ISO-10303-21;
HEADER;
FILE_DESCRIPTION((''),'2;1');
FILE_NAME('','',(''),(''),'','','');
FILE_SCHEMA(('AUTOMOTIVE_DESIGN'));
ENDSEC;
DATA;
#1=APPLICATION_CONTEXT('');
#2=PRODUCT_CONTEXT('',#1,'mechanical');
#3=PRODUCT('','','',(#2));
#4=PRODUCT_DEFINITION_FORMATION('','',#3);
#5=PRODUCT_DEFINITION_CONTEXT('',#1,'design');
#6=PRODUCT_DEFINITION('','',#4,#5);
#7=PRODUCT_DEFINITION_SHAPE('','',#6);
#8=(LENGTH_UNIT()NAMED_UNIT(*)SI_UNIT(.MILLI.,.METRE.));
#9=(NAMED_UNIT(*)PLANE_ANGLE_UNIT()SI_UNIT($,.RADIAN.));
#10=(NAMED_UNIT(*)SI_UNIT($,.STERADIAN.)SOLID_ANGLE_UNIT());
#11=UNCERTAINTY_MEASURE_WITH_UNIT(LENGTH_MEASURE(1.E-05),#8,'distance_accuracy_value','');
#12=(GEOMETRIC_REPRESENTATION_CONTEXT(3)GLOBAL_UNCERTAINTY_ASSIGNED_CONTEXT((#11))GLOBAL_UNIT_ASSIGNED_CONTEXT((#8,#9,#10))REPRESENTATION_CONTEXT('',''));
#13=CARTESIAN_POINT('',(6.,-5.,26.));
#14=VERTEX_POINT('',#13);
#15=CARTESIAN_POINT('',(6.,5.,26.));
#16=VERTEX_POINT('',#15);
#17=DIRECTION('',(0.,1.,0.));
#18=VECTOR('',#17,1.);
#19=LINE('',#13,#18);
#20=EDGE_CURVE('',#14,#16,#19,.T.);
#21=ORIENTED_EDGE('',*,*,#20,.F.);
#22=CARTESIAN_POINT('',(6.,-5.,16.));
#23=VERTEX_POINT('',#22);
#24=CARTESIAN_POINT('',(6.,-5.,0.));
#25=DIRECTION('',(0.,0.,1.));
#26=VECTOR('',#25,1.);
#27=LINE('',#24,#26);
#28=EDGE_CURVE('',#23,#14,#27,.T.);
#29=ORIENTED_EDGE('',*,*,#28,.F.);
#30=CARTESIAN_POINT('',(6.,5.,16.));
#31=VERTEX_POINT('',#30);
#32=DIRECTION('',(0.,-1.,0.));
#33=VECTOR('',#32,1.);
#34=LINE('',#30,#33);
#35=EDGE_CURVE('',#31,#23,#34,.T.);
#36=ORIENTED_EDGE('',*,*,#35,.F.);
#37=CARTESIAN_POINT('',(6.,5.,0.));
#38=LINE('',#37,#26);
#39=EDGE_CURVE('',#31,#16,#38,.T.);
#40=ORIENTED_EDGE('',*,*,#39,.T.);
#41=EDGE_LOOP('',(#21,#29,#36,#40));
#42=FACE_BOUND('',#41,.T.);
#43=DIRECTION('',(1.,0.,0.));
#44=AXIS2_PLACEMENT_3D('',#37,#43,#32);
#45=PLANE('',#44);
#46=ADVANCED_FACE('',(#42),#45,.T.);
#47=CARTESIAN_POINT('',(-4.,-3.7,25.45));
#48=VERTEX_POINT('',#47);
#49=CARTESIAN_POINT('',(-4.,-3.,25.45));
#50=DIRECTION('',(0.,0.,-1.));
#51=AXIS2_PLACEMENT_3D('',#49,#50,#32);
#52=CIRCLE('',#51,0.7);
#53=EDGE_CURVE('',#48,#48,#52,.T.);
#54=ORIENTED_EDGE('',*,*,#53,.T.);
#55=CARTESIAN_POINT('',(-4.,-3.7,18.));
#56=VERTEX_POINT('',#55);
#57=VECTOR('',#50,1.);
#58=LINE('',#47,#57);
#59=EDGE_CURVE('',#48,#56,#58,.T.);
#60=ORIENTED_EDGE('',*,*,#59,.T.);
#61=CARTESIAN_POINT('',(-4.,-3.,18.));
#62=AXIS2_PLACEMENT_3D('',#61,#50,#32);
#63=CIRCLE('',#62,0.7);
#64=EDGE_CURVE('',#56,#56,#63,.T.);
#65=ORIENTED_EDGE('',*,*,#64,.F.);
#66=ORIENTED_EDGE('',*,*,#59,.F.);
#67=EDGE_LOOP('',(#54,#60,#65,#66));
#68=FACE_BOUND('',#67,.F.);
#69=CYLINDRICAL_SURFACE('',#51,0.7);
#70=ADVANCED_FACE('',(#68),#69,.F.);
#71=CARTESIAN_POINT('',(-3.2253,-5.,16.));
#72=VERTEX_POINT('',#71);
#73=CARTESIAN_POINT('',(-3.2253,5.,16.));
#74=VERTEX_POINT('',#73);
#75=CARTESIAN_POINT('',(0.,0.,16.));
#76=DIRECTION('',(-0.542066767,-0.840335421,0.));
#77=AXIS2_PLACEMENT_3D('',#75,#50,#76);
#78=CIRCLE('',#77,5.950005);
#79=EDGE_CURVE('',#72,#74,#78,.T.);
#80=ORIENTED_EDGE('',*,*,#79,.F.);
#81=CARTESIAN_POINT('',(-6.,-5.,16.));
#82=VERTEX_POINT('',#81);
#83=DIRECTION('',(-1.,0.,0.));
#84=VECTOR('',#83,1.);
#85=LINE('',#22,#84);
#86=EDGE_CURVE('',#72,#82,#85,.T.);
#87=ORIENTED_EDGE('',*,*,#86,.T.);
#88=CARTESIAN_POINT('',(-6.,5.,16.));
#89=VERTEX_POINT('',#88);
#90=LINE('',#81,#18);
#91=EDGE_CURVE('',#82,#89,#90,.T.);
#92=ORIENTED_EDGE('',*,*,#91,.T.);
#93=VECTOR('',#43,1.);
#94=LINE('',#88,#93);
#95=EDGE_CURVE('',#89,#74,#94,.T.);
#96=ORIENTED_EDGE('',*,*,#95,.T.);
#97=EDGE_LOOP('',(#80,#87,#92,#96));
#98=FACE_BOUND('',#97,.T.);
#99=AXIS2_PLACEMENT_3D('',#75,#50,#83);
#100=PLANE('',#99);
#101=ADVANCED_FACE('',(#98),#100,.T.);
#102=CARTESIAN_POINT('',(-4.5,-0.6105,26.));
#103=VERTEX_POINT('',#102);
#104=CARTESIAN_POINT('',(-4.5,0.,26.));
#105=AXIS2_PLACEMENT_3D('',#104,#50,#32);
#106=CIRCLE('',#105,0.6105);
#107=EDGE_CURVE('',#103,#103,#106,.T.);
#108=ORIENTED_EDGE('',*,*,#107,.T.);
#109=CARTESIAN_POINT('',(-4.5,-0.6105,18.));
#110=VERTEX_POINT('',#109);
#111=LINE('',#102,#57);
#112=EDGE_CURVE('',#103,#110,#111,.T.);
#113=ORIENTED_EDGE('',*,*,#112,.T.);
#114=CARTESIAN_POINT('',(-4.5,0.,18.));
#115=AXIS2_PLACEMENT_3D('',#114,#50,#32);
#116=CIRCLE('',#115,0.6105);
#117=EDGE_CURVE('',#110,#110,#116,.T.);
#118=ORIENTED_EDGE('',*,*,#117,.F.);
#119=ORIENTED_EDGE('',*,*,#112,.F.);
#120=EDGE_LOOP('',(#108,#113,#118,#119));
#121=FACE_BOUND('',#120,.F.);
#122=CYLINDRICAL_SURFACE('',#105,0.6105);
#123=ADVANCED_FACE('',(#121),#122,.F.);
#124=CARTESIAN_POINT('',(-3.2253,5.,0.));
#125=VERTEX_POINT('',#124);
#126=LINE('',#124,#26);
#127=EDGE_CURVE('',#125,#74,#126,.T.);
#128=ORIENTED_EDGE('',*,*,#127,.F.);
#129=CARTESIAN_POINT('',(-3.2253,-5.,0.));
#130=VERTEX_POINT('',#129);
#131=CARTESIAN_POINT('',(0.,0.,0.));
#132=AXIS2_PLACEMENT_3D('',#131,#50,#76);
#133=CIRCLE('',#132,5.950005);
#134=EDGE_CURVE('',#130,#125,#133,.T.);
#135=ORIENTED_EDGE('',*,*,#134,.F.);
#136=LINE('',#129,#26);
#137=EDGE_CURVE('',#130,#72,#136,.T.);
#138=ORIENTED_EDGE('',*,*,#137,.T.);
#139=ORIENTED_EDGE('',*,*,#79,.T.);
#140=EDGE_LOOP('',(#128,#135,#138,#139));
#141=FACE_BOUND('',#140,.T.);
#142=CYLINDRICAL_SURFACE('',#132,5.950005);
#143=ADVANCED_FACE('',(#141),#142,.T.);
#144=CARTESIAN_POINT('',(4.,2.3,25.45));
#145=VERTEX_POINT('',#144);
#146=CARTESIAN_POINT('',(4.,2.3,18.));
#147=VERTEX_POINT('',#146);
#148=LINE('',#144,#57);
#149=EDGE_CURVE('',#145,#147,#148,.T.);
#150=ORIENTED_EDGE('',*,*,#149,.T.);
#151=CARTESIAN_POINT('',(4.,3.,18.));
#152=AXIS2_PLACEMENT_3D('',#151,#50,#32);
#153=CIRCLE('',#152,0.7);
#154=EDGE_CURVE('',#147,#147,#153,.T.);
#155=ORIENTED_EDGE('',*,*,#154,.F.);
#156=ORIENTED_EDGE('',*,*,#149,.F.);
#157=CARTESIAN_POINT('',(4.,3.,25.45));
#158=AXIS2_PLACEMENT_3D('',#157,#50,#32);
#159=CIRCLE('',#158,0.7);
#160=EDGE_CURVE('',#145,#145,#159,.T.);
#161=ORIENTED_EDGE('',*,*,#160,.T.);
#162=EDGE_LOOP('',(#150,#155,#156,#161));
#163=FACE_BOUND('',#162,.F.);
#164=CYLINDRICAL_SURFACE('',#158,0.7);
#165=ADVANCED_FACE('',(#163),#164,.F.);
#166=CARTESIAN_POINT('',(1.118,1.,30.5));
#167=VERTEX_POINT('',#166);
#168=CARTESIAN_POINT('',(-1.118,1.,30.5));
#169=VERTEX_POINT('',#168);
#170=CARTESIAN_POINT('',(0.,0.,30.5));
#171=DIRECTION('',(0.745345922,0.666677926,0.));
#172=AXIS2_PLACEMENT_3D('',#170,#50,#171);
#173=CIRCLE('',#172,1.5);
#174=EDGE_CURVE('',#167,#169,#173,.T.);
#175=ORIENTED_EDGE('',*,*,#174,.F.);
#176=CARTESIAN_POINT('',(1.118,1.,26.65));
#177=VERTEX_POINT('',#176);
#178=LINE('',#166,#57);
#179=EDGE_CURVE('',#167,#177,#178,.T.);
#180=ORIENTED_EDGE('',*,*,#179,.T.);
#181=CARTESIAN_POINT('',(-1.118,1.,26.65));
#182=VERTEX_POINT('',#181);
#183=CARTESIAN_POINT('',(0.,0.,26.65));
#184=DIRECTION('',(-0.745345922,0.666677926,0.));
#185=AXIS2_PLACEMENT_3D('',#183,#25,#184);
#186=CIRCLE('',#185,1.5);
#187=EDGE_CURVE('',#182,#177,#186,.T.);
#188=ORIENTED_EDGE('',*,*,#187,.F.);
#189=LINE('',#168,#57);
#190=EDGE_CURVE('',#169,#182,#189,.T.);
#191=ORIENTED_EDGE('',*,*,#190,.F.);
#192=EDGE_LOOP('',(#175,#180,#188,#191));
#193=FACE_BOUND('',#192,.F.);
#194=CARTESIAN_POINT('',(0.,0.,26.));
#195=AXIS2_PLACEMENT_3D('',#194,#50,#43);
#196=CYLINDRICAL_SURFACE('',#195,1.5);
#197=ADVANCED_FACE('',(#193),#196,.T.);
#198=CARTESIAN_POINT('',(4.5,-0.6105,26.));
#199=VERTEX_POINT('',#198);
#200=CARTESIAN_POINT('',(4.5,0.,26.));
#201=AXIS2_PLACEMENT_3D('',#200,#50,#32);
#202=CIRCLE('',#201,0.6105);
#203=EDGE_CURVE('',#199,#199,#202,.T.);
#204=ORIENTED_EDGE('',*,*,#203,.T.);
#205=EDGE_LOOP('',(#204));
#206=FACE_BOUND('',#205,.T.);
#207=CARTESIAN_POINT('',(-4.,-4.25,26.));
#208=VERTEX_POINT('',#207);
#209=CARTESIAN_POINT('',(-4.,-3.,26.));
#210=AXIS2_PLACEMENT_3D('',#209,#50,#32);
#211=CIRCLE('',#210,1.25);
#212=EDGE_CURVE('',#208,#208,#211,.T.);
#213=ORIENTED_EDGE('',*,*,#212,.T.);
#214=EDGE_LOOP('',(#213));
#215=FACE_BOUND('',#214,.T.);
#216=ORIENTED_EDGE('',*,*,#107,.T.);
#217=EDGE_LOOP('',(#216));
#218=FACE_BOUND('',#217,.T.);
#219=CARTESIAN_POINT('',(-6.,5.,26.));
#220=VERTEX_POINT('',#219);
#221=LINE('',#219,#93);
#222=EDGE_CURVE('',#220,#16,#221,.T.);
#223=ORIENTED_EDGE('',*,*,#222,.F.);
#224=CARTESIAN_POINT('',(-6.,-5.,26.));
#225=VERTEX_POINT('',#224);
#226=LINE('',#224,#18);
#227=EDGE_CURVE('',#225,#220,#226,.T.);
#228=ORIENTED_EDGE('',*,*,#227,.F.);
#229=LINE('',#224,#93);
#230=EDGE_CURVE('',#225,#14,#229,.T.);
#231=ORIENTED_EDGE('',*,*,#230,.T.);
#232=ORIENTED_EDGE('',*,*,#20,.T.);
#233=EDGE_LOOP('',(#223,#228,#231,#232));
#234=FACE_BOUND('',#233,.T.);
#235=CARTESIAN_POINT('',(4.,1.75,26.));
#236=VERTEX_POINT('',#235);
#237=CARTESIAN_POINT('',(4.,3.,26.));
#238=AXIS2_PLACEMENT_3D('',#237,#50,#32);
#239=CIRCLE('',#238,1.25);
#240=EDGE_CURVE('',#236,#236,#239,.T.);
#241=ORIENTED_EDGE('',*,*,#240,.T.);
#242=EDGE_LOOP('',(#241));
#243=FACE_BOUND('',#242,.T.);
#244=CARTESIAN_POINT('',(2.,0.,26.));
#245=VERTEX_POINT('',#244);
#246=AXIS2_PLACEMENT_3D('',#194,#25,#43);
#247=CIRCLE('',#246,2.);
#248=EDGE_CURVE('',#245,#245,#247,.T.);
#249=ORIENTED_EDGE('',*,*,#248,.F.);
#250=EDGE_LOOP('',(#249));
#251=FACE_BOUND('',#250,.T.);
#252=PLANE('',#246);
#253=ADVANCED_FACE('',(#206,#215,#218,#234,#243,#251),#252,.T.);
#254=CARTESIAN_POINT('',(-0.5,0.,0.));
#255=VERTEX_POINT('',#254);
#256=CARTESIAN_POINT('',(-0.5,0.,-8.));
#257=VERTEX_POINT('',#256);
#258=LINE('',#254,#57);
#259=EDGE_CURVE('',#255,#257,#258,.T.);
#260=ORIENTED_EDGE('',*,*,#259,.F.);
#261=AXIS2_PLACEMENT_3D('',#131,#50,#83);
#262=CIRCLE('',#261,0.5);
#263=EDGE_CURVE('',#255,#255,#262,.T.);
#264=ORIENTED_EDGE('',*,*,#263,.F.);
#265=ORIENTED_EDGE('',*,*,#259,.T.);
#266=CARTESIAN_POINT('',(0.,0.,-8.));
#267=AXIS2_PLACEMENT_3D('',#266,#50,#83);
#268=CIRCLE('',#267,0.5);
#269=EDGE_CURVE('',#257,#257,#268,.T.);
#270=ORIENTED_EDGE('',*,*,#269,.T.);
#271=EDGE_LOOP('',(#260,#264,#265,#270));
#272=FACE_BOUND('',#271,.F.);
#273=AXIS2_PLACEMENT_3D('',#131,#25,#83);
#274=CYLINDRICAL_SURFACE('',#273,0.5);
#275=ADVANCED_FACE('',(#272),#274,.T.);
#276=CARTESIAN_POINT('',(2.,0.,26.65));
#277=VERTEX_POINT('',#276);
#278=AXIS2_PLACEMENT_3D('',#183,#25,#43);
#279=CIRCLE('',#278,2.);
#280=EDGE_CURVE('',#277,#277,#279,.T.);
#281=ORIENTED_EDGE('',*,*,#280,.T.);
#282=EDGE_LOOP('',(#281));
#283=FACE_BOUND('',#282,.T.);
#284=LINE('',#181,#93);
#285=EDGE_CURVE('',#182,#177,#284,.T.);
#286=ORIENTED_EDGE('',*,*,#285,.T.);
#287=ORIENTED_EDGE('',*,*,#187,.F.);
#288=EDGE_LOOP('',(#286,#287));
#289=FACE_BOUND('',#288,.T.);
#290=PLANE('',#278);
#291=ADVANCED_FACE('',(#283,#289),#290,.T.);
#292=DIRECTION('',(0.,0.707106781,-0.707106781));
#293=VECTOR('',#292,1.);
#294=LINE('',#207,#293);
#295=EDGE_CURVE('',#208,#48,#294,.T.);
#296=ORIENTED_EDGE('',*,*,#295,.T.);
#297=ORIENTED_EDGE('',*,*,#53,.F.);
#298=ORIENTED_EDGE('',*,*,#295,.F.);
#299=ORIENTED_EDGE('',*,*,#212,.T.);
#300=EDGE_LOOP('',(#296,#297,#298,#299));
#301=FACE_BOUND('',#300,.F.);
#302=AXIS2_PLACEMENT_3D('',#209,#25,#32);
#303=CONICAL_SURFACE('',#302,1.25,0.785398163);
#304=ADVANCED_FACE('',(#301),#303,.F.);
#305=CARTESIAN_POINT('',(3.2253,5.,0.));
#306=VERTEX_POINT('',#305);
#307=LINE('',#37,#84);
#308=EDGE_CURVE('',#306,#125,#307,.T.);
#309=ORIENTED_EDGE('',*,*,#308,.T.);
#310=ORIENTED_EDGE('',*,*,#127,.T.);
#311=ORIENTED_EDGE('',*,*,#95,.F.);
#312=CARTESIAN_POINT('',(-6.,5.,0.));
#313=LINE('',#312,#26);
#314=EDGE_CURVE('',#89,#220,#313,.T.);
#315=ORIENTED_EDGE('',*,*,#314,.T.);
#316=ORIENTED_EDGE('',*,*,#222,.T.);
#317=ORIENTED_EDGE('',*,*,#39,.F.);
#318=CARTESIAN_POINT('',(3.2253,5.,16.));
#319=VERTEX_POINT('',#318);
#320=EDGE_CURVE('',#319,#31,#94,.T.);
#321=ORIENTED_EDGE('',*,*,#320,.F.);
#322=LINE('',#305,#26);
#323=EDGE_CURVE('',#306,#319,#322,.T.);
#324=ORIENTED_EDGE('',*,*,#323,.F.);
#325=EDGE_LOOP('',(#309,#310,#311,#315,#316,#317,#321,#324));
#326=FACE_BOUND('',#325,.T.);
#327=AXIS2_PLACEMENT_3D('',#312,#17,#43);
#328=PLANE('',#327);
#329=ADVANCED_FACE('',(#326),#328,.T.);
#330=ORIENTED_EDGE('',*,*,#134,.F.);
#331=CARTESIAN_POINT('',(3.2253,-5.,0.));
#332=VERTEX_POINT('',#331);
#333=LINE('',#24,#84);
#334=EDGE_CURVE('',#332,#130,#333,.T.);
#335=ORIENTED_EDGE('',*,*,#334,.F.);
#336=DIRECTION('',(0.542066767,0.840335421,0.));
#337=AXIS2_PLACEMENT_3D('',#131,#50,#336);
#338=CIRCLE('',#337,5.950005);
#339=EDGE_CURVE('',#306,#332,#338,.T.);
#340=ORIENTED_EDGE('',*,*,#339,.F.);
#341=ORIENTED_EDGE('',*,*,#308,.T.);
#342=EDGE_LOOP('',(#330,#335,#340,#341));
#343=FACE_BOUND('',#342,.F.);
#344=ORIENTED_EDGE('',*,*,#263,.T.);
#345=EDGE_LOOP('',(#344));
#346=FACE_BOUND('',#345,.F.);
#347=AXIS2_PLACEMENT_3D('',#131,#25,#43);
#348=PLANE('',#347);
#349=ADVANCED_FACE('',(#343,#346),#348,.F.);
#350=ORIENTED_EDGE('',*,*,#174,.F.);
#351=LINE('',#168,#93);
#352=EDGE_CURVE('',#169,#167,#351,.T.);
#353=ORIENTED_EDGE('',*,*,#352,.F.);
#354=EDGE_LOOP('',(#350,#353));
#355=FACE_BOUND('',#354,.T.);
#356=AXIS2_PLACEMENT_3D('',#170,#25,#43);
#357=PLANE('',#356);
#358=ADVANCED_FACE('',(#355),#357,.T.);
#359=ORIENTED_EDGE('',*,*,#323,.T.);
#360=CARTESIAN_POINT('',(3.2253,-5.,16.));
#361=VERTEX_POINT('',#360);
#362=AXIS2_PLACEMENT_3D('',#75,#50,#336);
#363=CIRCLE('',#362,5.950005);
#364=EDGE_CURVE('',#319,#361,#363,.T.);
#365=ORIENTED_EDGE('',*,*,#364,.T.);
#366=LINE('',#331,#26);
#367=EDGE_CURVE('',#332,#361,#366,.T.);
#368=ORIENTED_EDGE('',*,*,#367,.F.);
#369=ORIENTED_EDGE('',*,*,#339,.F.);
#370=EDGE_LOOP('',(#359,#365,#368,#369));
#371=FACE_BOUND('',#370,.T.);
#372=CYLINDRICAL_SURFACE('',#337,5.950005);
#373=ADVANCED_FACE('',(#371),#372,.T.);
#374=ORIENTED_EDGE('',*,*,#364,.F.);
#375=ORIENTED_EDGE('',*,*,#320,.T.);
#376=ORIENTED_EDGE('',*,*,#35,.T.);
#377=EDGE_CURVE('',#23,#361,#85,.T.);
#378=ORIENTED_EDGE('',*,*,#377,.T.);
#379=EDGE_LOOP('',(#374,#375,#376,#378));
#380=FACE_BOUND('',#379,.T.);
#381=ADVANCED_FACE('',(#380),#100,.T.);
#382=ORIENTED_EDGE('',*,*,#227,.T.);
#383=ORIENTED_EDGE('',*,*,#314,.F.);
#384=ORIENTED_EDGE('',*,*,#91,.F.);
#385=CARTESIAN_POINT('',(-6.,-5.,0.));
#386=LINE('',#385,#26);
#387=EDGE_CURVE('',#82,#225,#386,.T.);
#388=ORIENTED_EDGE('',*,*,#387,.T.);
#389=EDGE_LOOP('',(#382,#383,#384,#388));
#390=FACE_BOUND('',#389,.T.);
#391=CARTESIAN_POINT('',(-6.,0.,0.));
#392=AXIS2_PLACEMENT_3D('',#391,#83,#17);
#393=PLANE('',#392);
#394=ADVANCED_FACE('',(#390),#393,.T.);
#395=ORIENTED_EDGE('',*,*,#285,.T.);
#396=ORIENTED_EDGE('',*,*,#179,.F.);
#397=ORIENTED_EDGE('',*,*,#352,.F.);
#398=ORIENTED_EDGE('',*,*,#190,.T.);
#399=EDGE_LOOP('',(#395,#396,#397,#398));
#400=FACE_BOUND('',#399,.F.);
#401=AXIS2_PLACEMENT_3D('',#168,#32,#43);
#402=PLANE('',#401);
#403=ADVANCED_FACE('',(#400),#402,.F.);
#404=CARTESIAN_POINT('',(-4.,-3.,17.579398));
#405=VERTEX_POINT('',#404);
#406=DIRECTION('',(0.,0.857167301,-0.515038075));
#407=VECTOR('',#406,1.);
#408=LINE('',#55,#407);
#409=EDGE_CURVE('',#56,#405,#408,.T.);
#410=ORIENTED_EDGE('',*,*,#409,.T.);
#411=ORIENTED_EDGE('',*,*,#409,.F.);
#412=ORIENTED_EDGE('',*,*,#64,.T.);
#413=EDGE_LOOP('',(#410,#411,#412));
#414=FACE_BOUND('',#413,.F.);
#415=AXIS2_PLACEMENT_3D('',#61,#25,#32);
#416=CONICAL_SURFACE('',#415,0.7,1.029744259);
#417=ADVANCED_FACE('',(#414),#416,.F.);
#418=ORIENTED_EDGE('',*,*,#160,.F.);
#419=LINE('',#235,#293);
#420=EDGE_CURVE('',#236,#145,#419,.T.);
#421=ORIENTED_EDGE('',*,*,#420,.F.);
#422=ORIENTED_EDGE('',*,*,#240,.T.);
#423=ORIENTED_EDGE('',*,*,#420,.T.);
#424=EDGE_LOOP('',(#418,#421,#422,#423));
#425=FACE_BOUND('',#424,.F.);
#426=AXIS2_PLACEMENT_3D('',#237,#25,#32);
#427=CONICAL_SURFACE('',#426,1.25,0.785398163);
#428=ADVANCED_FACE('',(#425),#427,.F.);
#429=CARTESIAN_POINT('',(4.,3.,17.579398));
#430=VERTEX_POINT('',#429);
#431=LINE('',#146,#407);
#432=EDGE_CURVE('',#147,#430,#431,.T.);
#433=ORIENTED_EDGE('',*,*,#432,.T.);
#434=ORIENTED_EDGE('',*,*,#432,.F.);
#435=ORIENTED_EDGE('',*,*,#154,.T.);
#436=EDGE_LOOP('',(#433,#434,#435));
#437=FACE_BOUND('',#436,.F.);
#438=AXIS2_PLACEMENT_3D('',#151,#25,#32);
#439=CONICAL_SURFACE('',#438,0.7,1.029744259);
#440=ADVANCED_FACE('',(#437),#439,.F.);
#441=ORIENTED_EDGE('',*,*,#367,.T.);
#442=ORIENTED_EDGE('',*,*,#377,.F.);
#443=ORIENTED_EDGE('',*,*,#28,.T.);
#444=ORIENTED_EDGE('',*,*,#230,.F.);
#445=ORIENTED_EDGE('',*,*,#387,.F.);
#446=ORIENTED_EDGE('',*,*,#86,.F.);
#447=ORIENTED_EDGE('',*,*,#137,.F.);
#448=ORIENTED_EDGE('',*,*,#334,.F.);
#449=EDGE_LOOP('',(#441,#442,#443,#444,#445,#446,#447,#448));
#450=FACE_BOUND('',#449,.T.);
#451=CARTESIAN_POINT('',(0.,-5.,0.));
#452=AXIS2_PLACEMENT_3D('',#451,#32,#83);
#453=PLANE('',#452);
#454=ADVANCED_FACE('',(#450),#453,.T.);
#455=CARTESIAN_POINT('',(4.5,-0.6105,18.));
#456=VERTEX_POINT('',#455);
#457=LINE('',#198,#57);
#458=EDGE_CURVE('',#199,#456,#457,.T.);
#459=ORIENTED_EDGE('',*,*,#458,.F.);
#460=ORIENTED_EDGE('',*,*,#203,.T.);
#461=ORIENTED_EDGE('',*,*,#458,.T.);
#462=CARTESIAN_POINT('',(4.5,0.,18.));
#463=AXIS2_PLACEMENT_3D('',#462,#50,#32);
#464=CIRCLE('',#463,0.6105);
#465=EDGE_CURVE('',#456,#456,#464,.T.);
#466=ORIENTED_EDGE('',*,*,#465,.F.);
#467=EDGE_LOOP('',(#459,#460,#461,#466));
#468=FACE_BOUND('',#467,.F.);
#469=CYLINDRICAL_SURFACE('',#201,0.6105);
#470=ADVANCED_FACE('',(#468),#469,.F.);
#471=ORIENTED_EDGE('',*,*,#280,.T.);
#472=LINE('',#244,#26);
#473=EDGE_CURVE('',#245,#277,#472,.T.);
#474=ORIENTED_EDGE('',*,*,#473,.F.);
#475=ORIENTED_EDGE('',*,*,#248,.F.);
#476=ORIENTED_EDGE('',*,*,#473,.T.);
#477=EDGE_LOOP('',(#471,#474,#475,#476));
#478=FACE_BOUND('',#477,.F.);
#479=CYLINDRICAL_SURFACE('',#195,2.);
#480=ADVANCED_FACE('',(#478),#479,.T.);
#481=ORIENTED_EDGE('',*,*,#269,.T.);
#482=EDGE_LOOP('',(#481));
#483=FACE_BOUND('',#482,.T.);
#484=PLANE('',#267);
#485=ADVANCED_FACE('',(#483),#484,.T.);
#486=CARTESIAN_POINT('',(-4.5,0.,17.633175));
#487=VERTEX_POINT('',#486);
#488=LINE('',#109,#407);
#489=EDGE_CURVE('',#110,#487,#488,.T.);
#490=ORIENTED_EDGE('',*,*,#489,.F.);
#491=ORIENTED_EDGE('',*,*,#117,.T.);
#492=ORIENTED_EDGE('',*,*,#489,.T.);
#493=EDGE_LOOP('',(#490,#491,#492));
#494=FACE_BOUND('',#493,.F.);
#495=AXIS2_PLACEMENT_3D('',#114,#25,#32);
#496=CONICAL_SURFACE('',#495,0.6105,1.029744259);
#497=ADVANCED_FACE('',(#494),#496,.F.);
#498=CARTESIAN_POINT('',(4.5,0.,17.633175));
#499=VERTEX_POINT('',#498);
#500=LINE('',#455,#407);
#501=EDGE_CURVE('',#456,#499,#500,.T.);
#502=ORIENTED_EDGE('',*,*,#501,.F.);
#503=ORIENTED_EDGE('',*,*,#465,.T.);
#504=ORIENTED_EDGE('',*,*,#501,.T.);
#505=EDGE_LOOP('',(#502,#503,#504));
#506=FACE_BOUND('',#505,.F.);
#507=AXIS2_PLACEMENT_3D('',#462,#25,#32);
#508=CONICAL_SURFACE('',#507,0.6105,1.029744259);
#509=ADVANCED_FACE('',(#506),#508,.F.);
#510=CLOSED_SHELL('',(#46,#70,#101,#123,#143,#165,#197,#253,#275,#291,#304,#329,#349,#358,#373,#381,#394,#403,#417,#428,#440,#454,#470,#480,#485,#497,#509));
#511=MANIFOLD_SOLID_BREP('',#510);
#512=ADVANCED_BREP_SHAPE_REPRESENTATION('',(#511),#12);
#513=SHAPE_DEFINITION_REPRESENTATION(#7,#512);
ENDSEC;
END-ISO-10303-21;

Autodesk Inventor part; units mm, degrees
ref_plane "YZ Plane" through (0, 0, 0) normal (1, 0, 0) x (0, 1, 0)
ref_plane "XZ Plane" through (0, 0, 0) normal (0, 1, 0) x (-1, 0, 0)
ref_plane "XY Plane" through (0, 0, 0) normal (0, 0, 1) x (1, 0, 0)
sketch "Skizze1" plane through (0, 0, 0) normal (0, 0, 1) x (1, 0, 0)
  line L0 (-8.4, 0) -> (8.4, 0) projected
  line L1 (0, -7) -> (0, 7) projected
  line L2 (-6, 5) -> (6, 5)
  line L3 (6, 5) -> (6, -5)
  line L4 (6, -5) -> (-6, -5)
  line L5 (-6, -5) -> (-6, 5)
  point P0 (0, 0)
  dimension "d0" = 10
  dimension "d1" = 12
extrude "Extrusion1" add sketch "Skizze1" along normal blind 26
sketch "Skizze2" plane through (0, 0, 26) normal (0, 0, 1) x (1, 0, 0)
  circle A0 centre (0, 0) radius 2
  dimension "d4" = 4
extrude "Extrusion2" add sketch "Skizze2" along normal blind 0.65
sketch "Skizze3" plane through (0, 0, 26) normal (0, 0, 1) x (1, 0, 0)
  circle A0 centre (0, 0) radius 2 projected
  circle A1 centre (0, 0) radius 1.5
  dimension "d7" = 3
extrude "Extrusion3" add sketch "Skizze3" along normal blind 4.5 contours A1
sketch "Skizze4" plane through (0, 0, 26) normal (0, 0, 1) x (1, 0, 0)
  line L0 (-8.4, 0) -> (8.4, 0) projected
  line L1 (0, -7) -> (0, 7) projected
  line L2 (-4, 3) -> (4, 3)
  line L3 (4, 3) -> (4, -3)
  line L4 (4, -3) -> (-4, -3)
  line L5 (-4, -3) -> (-4, 3)
  dimension "d10" = 6
  dimension "d11" = 8
hole "Bohrung1" at (-4, -3, 26) at (4, 3, 26) at (-4, -3, 26) at (4, 3, 26) direction (0, 0, -1) diameter 1.4 depth 8 tip angle 118 countersink diameter 2.5 countersink angle 90
sketch "Skizze5" plane through (0, 0, 26) normal (0, 0, 1) x (1, 0, 0)
  line L0 (-8.4, 0) -> (8.4, 0) projected
  line L1 (0, -7) -> (0, 7) projected
  point P0 (-4.5, 0)
  point P1 (4.5, 0)
  dimension "d19" = 9
hole "Bohrung2" at (-4.5, 0, 26) at (4.5, 0, 26) direction (0, 0, -1) diameter 1.221 depth 8 tip angle 118 thread size "M1.6x0.35" class "6H" standard "ISO Metric profile"
sketch "Skizze6" plane through (0, 0, 0) normal (0, 0, -1) x (-1, 0, 0)
  circle A0 centre (0, 0) radius 0.5
  dimension "d27" = 1
extrude "Extrusion4" add sketch "Skizze6" along normal blind 8
sketch "Skizze8" plane through (0, 0, 0) normal (0, 0, -1) x (-1, 0, 0)
  circle A0 centre (0, 0) radius 0.5 projected
  line L0 (6, 5) -> (-6, 5) projected
  line L1 (-6, 5) -> (-6, -5) projected
  line L2 (-6, -5) -> (6, -5) projected
  line L3 (6, -5) -> (6, 5) projected
  arc A1 (-3.2253, 5) -> (-3.2253, -5) centre (0, 0) ccw
  arc A2 (3.2253, -5) -> (3.2253, 5) centre (0, 0) ccw
  dimension "d38" = 5.95
  dimension "d39" = 5.95
extrude "Extrusion6" cut sketch "Skizze8" against normal blind 16 contours L3 L2 A2 L0 | A1 L2 L1 L0
sketch "Skizze9" plane through (0, 0, 30.5) normal (0, 0, 1) x (1, 0, 0)
  circle A0 centre (0, 0) radius 1.5 projected
  line L0 (-1.118, 1) -> (1.118, 1)
  dimension "d42" = 1
extrude "Extrusion7" cut sketch "Skizze9" against normal up to surface (3.85 mm away) contours L0 A0 picked at (-0.0599, 1.1631)
properties part number "Motor XDRIVE GM12F"
